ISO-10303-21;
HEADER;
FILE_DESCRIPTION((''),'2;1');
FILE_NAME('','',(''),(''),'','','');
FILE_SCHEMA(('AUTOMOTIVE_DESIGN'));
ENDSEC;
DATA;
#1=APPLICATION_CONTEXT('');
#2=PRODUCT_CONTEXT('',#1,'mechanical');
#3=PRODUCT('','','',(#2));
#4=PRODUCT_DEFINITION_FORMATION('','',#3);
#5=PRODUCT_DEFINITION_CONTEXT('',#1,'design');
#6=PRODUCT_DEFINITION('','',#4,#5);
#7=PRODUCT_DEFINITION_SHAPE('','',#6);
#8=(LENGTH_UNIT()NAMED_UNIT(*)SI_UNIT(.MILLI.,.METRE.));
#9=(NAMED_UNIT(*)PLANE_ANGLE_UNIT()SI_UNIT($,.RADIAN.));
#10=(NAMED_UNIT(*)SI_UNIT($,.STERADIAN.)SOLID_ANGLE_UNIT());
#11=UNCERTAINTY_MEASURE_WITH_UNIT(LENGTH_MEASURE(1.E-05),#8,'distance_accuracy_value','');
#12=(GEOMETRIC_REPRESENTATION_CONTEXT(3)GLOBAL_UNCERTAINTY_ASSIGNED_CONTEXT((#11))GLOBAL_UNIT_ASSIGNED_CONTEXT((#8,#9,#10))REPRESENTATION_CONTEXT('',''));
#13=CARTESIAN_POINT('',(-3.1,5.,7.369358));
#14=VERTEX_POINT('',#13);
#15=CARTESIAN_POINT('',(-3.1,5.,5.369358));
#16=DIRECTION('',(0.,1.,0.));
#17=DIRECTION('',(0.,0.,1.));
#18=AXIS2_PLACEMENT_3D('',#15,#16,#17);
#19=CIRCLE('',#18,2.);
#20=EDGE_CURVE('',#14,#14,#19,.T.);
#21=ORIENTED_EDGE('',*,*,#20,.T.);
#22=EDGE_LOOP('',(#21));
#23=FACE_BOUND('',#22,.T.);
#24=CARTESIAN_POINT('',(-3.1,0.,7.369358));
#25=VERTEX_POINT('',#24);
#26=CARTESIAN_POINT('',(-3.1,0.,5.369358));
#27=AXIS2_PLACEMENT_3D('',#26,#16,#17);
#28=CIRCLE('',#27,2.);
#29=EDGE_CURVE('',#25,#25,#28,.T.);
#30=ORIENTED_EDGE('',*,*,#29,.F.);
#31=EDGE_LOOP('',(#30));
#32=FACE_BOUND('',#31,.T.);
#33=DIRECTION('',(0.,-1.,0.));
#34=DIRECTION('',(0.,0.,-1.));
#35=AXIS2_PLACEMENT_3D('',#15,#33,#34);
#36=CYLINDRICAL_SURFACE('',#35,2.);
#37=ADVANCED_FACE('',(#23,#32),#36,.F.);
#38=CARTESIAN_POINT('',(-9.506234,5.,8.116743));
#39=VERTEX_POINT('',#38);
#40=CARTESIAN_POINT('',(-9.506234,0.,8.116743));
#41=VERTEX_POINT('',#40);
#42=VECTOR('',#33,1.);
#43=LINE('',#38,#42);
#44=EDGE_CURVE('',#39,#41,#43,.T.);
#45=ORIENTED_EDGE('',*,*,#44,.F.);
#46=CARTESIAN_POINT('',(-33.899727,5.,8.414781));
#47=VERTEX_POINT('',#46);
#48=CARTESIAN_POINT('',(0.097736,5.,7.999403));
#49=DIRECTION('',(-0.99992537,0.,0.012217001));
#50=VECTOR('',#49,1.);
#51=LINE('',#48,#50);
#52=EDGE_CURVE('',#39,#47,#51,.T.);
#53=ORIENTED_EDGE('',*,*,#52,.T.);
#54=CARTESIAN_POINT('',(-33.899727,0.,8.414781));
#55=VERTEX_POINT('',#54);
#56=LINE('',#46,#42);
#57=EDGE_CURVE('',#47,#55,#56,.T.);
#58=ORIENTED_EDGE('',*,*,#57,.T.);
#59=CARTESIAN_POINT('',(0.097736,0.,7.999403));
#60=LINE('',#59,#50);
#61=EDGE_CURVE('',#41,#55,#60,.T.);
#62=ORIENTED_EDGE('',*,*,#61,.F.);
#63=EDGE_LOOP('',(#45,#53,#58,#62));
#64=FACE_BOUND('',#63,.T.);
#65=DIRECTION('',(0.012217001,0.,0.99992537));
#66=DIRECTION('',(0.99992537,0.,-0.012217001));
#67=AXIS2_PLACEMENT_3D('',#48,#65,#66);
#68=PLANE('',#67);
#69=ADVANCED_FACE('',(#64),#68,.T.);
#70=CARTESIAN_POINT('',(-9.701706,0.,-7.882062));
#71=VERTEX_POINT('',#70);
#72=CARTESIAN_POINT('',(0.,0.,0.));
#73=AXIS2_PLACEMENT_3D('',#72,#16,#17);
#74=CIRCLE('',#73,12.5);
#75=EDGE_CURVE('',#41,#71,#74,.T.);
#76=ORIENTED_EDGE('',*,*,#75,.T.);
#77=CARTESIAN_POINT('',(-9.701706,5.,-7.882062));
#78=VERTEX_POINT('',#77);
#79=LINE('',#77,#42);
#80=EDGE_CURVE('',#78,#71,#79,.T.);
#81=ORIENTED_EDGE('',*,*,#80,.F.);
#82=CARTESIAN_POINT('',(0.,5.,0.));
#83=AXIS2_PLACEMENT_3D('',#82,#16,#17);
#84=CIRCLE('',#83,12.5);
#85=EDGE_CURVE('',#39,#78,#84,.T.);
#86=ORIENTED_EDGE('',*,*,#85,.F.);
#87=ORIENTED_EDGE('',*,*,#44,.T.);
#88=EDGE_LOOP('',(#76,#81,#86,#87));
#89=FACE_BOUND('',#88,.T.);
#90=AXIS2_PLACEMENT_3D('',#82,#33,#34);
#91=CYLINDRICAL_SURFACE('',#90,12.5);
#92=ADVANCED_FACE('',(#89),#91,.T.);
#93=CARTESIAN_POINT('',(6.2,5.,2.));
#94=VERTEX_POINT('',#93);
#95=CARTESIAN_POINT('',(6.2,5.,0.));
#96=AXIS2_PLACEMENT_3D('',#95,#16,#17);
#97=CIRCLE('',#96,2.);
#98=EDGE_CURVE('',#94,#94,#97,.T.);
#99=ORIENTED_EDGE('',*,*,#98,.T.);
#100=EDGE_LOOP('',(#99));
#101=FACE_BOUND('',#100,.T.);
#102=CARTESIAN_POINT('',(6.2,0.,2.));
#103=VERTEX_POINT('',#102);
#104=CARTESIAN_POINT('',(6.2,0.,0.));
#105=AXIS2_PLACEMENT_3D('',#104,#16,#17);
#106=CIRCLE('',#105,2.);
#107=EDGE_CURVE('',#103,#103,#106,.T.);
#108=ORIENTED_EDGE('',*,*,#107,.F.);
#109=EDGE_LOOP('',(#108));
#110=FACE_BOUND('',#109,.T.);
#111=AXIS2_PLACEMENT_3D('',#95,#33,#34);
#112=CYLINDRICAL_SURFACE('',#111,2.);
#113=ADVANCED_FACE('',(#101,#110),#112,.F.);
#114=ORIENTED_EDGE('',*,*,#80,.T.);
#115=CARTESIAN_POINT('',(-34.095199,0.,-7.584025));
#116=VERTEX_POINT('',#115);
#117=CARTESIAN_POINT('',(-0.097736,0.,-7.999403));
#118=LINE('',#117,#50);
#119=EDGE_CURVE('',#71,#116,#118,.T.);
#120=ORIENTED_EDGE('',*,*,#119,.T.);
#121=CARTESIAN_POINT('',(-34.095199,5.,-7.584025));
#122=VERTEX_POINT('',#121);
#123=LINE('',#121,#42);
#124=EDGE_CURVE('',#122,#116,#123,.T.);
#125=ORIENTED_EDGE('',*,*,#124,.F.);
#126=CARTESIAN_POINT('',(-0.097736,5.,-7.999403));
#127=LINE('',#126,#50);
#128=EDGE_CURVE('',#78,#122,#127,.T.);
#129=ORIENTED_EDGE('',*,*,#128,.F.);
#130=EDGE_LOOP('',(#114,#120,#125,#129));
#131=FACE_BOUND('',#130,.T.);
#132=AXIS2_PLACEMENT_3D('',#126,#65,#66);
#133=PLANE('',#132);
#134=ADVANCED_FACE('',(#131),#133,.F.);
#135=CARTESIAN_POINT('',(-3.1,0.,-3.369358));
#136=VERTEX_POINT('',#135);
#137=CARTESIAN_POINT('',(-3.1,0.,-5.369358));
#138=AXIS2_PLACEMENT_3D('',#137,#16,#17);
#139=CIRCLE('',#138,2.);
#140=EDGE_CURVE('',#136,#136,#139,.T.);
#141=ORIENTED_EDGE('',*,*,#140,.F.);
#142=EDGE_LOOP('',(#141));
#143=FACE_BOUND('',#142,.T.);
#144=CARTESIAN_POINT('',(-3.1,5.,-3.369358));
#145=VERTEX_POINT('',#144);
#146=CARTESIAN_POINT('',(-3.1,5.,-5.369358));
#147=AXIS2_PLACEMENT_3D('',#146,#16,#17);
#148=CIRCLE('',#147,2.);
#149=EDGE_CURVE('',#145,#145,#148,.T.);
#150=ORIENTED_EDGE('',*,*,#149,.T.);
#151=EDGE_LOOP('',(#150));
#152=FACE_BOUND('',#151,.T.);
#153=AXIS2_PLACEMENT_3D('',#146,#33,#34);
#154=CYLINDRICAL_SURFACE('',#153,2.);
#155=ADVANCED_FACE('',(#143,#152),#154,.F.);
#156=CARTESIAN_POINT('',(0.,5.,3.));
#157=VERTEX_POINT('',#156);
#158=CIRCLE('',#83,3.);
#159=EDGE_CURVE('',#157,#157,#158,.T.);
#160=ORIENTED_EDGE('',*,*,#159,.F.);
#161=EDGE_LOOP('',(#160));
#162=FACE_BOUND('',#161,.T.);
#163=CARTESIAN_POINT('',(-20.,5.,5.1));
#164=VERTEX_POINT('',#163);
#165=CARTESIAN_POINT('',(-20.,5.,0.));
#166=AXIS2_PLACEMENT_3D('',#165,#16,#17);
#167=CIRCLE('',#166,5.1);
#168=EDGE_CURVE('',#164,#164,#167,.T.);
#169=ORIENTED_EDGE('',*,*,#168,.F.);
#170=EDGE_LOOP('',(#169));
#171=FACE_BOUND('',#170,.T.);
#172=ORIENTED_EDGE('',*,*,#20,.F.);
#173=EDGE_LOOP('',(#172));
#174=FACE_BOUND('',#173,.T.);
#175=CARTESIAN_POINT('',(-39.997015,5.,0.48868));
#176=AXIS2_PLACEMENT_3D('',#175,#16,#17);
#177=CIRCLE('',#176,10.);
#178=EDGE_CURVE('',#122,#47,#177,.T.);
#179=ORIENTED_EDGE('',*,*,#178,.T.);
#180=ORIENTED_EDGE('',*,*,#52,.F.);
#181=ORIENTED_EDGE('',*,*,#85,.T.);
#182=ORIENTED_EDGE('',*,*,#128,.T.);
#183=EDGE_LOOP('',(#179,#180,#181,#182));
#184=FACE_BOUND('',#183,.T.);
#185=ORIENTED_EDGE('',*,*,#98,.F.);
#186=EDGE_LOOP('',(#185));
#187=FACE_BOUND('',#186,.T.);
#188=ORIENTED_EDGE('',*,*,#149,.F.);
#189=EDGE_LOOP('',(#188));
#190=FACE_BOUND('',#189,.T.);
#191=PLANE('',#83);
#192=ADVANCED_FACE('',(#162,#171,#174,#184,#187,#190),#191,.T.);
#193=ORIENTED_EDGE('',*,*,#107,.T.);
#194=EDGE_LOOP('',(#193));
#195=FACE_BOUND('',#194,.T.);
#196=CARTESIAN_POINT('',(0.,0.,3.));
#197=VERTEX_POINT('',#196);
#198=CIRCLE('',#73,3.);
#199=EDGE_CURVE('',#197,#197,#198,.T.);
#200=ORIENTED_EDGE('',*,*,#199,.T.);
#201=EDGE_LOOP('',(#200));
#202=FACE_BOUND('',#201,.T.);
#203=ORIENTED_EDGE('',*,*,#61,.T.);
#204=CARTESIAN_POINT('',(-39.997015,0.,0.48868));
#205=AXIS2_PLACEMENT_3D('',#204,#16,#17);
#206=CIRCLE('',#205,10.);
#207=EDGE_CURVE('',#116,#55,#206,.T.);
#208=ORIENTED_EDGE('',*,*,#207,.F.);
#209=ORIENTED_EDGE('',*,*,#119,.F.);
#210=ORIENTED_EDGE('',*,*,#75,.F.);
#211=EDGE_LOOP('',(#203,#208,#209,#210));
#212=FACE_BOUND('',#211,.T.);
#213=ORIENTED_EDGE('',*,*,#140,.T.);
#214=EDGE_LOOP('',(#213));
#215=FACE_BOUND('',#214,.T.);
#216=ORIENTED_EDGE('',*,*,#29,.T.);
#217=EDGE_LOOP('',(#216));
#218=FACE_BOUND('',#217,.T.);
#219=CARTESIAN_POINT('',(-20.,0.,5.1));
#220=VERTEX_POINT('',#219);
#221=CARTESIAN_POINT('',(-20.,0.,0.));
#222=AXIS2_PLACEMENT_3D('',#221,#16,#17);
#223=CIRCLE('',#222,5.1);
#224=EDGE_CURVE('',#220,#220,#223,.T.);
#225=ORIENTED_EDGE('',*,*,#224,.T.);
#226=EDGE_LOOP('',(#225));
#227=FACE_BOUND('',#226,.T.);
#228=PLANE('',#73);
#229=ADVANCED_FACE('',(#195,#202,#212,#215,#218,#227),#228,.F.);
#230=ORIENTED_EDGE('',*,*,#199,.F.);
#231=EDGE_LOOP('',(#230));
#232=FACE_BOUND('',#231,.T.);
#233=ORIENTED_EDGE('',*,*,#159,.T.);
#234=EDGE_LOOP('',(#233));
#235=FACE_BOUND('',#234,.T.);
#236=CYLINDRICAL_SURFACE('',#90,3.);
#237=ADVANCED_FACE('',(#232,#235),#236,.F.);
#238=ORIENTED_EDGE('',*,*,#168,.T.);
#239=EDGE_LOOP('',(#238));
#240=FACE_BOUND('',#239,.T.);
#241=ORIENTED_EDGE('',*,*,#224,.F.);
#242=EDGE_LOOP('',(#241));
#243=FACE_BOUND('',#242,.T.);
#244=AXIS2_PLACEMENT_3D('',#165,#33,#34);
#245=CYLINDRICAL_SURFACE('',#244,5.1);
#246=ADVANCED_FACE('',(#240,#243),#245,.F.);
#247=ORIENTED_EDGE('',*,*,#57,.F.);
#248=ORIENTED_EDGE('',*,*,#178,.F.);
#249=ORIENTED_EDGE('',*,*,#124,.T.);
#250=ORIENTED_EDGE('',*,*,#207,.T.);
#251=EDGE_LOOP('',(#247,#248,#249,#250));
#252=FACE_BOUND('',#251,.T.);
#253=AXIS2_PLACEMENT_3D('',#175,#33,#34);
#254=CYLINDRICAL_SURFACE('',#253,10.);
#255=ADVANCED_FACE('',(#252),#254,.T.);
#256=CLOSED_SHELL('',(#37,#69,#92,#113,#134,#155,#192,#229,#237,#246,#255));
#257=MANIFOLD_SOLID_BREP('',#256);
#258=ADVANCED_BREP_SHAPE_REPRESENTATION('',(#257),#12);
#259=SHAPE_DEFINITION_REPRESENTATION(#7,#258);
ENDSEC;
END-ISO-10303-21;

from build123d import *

# Parameters (mm, degrees)
SKETCH1_R           = 5.1
SKETCH1_R_2         = 2
SKETCH1_R_3         = 3
BOSS_EXTRUDE1_DEPTH = 5


with BuildPart() as part:
    # Sketch1 → Boss-Extrude1 (new body)
    with BuildSketch(Plane(origin=(0, 0, 0), x_dir=(1, 0, 0), z_dir=(0, 1, 0))):
        with BuildLine():
            Line((-33.899726562, -8.414780986), (-9.506233548, -8.116743419))
            ThreePointArc((-9.506233548, -8.116743419), (12.499067121, 0.15271251), (-9.701705562, 7.882062496))
            Line((-9.701705562, 7.882062496), (-34.095198575, 7.584024929))
            ThreePointArc((-34.095198575, 7.584024929), (-49.996268483, -0.610850042), (-33.899726562, -8.414780986))
        make_face()
        with Locations((-20, 0)):
            Circle(SKETCH1_R, mode=Mode.SUBTRACT)
        with Locations((-3.1, 5.369357503)):
            Circle(SKETCH1_R_2, mode=Mode.SUBTRACT)
        with Locations((-3.1, -5.369357503)):
            Circle(SKETCH1_R_2, mode=Mode.SUBTRACT)
        Circle(SKETCH1_R_3, mode=Mode.SUBTRACT)
        with Locations((6.2, 0)):
            Circle(SKETCH1_R_2, mode=Mode.SUBTRACT)
    extrude(amount=BOSS_EXTRUDE1_DEPTH)


solid = part.part
